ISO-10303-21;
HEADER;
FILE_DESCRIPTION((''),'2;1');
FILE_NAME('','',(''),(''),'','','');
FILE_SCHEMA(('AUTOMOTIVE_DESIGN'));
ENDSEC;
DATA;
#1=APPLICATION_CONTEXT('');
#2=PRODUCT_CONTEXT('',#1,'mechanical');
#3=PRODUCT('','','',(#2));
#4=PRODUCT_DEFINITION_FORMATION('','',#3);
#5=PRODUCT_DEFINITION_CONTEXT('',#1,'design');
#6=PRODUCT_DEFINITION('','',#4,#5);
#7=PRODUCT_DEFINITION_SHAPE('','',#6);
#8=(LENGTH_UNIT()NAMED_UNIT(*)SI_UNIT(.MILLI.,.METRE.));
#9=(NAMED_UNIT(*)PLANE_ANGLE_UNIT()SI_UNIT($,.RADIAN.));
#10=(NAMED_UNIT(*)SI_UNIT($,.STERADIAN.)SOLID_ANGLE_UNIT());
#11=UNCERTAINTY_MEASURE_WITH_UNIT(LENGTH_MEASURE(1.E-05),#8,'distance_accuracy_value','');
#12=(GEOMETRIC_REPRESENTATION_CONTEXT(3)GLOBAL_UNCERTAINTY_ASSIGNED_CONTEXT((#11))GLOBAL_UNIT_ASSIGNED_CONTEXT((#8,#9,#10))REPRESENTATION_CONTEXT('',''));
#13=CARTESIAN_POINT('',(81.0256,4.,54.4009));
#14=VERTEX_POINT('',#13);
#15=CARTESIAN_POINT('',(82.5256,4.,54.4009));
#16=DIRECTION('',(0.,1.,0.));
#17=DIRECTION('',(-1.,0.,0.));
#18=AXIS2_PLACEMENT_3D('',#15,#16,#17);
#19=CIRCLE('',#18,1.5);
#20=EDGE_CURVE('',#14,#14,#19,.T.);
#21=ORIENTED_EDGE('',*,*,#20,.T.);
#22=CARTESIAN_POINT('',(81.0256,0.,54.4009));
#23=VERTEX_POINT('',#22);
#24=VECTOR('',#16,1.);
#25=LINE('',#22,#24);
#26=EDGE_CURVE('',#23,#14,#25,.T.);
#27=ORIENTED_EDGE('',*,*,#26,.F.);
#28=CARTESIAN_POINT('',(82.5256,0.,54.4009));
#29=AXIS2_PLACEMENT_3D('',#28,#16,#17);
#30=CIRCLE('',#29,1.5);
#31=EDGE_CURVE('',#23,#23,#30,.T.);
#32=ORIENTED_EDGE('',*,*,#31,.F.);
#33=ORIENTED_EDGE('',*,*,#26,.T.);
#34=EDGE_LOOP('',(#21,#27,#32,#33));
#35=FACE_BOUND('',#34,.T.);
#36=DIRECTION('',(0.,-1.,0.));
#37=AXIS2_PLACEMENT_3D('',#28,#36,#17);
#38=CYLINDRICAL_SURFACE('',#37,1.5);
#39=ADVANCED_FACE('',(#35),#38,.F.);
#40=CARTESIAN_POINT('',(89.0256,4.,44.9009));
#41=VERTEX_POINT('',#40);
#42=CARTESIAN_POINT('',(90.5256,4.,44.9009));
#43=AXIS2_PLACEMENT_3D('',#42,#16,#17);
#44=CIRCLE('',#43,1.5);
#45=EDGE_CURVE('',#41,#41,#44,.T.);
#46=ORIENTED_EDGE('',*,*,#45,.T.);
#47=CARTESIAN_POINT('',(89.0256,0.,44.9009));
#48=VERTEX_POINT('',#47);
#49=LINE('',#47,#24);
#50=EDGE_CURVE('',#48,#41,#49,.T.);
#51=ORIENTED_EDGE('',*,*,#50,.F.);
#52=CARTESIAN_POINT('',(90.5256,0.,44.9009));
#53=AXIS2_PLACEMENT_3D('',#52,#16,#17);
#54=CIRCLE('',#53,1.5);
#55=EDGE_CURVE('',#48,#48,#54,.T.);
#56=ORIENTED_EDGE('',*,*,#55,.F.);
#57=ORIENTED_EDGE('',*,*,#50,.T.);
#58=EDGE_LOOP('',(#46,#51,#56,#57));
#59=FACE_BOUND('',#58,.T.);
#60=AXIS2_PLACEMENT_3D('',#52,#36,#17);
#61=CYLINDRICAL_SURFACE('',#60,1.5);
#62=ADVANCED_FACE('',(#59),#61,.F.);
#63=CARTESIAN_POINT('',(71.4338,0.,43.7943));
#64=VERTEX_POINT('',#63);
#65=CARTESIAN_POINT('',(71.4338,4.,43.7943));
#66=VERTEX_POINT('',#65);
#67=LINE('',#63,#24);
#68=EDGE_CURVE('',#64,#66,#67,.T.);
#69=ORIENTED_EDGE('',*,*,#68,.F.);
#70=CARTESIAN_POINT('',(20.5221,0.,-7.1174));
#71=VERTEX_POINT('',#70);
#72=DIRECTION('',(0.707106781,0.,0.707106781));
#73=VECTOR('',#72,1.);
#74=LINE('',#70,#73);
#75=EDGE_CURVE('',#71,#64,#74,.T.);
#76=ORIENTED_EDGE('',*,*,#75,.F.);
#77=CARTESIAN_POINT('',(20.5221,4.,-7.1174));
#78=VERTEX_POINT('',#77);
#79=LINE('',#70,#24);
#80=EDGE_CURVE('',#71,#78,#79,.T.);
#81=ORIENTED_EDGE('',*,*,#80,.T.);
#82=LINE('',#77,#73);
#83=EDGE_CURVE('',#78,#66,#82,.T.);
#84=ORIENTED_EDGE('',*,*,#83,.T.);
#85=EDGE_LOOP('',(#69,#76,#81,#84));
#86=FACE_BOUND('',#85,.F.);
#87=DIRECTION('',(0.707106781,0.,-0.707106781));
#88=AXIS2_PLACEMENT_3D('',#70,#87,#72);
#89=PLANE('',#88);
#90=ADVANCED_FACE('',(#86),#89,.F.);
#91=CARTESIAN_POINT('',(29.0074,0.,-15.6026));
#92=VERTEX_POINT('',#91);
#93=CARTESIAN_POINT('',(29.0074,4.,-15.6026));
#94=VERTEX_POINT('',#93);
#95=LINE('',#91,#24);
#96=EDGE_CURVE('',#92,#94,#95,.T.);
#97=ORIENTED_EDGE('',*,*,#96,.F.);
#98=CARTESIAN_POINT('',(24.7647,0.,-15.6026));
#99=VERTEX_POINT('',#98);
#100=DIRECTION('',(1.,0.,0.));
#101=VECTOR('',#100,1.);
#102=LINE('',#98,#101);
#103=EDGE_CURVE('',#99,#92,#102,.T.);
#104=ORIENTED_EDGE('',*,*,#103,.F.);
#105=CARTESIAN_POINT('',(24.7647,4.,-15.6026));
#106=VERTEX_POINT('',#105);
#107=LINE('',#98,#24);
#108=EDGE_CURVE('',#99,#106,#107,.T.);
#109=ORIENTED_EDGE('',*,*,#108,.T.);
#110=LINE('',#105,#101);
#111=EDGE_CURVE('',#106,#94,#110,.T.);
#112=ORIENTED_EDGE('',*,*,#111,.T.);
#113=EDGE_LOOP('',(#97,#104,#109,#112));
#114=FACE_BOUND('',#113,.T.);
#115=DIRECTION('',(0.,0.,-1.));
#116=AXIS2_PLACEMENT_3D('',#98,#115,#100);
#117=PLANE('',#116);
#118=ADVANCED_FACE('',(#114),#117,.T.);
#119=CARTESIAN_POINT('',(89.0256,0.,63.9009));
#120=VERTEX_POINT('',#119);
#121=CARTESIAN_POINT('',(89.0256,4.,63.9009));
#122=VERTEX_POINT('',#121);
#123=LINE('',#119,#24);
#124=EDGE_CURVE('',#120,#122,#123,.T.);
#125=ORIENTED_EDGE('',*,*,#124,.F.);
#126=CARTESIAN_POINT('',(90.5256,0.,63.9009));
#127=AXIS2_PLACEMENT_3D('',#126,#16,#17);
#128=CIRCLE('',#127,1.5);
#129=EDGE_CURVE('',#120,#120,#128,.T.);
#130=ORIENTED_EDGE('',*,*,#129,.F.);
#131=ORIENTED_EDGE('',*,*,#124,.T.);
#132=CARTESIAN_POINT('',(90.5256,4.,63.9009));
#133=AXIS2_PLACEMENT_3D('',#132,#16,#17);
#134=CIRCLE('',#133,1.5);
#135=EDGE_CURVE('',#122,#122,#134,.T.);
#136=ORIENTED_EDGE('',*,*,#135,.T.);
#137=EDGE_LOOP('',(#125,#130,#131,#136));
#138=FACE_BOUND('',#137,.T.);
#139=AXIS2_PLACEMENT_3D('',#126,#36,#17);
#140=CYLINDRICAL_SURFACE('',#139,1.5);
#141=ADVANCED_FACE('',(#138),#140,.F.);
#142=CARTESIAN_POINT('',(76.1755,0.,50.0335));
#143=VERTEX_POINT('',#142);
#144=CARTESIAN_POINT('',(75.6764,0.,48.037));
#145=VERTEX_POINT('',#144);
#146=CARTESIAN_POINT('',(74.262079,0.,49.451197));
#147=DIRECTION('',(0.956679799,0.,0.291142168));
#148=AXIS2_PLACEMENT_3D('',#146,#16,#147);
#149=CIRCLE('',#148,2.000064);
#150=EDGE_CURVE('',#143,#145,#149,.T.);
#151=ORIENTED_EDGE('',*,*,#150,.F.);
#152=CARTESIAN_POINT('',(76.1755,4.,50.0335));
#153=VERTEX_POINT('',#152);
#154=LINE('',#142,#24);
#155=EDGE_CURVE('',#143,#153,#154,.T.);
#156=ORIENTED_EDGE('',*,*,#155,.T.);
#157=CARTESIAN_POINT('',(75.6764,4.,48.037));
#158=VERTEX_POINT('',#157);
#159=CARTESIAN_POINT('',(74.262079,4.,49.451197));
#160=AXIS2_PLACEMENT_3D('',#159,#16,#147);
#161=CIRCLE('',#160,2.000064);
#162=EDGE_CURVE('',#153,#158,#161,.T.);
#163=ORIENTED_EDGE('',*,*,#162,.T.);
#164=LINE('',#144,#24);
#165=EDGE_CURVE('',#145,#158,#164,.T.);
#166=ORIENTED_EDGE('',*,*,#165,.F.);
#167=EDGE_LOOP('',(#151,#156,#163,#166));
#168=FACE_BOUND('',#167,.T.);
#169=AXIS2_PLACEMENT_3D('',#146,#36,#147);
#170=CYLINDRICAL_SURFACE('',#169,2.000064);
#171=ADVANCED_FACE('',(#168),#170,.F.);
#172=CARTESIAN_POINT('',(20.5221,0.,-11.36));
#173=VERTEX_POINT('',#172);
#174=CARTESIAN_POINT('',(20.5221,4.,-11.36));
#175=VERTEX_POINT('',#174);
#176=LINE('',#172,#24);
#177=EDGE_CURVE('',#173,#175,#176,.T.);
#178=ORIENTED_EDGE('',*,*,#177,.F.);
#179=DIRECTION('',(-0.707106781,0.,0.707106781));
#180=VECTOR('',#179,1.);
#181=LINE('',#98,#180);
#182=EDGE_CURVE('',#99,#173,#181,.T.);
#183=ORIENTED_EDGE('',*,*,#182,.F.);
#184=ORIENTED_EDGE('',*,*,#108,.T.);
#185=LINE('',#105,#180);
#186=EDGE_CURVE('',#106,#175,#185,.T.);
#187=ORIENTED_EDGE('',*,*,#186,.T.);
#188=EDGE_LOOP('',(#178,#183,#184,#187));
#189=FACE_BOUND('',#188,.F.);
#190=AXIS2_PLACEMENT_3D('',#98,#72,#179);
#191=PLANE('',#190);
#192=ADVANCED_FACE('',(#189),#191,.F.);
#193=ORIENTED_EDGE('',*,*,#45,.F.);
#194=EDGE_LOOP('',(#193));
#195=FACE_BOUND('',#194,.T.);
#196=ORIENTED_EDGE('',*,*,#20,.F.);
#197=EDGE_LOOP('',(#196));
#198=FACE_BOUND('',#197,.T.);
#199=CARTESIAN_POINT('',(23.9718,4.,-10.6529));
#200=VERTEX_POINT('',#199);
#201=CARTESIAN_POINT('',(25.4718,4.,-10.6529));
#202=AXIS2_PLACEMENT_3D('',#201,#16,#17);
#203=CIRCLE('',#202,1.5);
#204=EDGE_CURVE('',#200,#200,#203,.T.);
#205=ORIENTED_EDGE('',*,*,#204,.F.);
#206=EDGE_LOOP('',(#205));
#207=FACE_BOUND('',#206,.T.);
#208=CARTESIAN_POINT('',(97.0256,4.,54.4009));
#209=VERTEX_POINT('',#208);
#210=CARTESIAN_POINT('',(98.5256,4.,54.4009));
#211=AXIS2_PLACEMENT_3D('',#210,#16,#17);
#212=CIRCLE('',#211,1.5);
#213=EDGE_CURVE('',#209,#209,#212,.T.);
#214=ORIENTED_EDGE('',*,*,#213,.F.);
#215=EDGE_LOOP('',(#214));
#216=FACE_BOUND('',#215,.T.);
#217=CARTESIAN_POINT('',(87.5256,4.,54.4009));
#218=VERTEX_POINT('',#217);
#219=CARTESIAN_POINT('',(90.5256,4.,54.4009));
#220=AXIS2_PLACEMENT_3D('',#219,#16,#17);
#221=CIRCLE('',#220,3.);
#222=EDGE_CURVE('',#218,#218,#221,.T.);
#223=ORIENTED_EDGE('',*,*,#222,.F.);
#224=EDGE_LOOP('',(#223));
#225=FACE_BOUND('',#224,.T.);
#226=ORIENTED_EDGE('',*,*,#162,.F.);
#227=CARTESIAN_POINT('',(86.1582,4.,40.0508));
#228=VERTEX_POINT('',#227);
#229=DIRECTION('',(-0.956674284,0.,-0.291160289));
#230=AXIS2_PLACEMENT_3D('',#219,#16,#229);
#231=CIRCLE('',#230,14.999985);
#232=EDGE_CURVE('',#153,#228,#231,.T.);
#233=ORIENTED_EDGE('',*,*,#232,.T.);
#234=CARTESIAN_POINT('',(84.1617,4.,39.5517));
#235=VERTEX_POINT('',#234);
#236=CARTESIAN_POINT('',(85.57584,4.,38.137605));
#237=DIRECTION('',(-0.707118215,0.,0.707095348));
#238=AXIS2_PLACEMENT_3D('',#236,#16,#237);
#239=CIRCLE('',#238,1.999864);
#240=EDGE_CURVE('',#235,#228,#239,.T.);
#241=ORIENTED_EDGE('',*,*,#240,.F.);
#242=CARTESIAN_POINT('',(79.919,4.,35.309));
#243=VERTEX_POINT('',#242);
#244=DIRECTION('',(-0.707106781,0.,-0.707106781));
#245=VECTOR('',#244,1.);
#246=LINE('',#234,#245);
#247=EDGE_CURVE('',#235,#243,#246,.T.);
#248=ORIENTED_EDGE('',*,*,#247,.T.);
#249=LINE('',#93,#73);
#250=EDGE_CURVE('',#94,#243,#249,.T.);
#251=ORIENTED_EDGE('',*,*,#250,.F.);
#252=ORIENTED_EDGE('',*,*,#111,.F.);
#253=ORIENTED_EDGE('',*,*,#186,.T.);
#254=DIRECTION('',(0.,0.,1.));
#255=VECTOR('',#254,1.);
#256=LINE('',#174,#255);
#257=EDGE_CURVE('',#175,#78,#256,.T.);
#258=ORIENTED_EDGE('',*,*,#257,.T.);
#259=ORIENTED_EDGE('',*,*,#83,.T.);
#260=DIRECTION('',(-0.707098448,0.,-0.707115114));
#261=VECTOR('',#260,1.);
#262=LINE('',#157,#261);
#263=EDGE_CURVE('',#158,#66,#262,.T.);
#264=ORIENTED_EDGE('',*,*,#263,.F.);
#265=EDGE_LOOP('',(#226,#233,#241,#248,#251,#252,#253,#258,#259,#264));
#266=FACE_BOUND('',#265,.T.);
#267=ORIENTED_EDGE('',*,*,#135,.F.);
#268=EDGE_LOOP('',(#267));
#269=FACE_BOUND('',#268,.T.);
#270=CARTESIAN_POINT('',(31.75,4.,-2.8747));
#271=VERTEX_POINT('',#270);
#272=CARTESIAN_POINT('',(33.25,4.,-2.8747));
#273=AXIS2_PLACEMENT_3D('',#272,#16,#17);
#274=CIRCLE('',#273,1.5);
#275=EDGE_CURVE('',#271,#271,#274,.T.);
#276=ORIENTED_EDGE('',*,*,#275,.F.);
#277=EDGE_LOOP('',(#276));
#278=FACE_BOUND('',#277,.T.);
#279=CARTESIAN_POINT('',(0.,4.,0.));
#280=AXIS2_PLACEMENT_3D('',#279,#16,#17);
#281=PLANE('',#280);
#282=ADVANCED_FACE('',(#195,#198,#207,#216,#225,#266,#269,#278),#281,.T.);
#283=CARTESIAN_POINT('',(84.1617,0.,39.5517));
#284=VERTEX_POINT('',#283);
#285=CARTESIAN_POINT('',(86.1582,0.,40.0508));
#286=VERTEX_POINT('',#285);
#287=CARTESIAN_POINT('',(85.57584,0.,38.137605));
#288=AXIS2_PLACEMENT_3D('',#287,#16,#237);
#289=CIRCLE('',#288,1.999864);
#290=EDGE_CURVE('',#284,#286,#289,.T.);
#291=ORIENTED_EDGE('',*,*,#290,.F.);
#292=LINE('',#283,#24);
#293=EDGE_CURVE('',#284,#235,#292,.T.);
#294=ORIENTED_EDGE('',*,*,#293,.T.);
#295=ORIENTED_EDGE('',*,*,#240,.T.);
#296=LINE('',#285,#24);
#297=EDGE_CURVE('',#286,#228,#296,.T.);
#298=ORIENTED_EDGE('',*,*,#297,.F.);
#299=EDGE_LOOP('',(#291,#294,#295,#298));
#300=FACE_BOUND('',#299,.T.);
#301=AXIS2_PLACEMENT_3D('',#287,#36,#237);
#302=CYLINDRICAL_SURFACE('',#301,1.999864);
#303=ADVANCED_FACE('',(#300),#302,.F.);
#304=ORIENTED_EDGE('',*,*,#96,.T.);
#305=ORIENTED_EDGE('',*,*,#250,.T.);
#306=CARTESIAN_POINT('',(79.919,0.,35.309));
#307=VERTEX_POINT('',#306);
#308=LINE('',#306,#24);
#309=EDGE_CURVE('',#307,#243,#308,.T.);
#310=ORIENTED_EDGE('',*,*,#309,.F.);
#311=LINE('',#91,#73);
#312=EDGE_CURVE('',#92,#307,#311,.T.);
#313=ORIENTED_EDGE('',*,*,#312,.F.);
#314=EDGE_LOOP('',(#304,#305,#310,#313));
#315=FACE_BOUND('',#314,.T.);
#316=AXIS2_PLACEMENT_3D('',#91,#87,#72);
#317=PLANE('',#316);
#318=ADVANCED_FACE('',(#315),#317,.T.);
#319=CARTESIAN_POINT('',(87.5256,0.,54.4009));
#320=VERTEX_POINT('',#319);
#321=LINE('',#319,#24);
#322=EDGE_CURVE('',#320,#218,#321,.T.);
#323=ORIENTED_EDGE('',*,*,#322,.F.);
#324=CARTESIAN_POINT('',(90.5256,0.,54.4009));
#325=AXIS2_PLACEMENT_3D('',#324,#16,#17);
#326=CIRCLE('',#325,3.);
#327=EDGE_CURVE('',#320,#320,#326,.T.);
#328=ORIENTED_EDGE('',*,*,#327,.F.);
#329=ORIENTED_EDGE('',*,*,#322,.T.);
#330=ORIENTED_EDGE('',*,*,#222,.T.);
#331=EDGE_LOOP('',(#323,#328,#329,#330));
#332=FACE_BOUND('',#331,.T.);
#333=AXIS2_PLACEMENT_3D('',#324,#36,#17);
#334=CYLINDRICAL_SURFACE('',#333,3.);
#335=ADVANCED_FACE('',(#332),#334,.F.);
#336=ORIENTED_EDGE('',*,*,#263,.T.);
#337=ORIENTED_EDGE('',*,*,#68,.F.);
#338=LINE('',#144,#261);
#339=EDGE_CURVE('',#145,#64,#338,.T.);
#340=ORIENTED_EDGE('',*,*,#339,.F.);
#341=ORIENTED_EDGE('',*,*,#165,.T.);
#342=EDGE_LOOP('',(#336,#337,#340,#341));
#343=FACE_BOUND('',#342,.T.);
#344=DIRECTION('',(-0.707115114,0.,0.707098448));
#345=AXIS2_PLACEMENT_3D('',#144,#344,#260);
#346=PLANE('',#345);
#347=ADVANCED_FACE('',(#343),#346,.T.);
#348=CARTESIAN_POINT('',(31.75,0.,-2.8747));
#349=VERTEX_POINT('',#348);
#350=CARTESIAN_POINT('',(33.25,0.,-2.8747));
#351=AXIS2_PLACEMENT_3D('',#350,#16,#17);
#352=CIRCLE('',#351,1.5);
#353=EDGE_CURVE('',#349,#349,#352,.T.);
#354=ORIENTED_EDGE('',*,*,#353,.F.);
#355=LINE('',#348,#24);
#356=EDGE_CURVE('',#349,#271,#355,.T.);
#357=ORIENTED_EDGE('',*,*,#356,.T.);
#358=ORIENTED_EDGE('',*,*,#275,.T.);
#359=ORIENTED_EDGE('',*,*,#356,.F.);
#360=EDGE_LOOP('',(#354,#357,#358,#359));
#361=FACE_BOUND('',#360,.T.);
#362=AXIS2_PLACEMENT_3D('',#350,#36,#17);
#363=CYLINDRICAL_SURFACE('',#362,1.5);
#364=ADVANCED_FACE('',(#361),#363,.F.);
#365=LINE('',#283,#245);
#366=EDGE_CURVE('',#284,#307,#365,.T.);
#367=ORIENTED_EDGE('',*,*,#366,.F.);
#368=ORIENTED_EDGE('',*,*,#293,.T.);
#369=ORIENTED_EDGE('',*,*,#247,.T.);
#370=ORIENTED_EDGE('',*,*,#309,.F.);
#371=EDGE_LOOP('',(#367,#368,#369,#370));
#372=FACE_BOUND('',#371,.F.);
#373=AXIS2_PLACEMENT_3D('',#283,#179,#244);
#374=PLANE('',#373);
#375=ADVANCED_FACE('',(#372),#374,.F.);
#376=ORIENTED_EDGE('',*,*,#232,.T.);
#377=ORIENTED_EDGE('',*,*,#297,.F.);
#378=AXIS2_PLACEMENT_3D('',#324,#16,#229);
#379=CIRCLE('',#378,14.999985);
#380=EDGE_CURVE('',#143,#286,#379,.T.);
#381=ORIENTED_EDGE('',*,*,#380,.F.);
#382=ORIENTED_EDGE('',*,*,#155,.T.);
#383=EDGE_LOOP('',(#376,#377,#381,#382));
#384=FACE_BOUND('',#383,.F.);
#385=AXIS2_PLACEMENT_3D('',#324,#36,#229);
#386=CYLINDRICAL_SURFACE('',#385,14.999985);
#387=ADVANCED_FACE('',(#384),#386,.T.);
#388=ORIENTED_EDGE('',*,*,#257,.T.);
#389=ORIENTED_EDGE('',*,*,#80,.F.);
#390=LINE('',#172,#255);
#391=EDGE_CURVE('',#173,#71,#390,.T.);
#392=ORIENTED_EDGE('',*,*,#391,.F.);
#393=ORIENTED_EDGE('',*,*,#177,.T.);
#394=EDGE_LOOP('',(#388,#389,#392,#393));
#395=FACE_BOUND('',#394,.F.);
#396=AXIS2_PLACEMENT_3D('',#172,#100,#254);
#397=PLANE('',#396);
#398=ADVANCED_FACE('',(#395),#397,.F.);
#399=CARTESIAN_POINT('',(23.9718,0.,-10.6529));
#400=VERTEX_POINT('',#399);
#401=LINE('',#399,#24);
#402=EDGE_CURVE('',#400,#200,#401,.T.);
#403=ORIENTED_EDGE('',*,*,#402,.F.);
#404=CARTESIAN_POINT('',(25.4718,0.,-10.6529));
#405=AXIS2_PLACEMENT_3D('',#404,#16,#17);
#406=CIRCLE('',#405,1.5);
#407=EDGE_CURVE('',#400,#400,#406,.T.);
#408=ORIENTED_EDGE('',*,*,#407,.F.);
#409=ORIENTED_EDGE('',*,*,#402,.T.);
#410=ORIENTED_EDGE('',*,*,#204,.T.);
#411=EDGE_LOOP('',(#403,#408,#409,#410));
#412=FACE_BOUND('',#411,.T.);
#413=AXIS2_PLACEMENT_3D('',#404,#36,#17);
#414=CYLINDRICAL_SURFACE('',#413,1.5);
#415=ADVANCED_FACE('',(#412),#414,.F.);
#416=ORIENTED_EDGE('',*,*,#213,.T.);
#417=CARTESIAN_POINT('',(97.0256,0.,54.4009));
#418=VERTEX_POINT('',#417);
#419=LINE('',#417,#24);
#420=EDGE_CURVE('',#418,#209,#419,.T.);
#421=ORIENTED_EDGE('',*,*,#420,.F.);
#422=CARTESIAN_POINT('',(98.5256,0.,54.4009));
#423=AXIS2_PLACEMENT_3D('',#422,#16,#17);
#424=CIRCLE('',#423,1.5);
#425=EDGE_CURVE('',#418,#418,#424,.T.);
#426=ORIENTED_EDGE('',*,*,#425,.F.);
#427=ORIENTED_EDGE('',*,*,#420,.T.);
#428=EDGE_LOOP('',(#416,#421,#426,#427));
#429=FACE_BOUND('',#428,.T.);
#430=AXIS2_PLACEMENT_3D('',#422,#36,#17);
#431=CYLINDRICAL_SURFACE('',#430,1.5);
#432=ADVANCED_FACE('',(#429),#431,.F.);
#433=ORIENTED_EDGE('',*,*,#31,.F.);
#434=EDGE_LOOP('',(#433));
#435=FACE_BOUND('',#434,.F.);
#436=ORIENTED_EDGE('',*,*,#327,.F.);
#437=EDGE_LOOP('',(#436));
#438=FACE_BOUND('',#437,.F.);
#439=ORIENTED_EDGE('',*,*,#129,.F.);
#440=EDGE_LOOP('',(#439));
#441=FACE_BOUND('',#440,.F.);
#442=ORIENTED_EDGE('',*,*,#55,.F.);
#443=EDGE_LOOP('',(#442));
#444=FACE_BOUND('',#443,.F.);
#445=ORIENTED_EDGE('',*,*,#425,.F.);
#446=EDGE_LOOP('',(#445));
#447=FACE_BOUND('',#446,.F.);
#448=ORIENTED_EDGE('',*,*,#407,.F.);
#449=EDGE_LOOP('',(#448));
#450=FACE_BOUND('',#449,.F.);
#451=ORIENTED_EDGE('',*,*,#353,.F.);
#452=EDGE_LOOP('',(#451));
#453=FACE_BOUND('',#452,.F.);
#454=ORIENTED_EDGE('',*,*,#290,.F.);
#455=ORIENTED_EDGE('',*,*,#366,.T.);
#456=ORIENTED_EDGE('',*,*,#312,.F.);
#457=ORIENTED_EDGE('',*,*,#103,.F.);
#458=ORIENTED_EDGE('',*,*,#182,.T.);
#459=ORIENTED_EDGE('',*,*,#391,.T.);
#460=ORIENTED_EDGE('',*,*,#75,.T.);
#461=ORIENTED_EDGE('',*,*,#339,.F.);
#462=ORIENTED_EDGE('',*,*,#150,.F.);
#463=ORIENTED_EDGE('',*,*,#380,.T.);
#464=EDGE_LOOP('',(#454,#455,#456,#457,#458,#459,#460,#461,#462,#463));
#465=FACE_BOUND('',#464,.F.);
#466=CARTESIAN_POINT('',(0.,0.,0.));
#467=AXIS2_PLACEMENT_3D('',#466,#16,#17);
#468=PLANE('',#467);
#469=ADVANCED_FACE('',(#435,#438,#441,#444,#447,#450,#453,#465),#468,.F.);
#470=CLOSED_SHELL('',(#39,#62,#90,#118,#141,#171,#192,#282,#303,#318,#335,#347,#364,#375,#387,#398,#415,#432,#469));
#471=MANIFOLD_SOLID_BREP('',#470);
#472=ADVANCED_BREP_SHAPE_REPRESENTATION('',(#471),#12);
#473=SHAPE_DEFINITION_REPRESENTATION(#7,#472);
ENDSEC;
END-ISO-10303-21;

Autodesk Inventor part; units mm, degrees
ref_plane "YZ Plane" through (0, 0, 0) normal (1, 0, 0) x (0, 1, 0)
ref_plane "XZ Plane" through (0, 0, 0) normal (0, 1, 0) x (-1, 0, 0)
sketch "Sketch1" plane through (0, 0, 0) normal (0, 1, 0) x (-1, 0, 0)
  arc A0 (-76.1755, 50.0335) -> (-86.1582, 40.0508) centre (-90.5256, 54.4009) ccw
  circle A1 centre (-25.4718, -10.6529) radius 1.5
  line L0 (-24.7647, -15.6026) -> (-20.5221, -11.36)
  line L1 (-24.7647, -15.6026) -> (-29.0074, -15.6026)
  line L2 (-20.5221, -11.36) -> (-20.5221, -7.1174)
  circle A2 centre (-33.25, -2.8747) radius 1.5
  circle A3 centre (-90.5256, 44.9009) radius 1.5
  circle A4 centre (-98.5256, 54.4009) radius 1.5
  circle A5 centre (-90.5256, 63.9009) radius 1.5
  circle A6 centre (-82.5256, 54.4009) radius 1.5
  circle A7 centre (-90.5256, 54.4009) radius 3
  arc A8 (-76.1755, 50.0335) -> (-75.6764, 48.037) centre (-74.2622, 49.4512) ccw
  arc A9 (-84.1617, 39.5517) -> (-86.1582, 40.0508) centre (-85.5759, 38.1375) ccw
  line L3 (-75.6764, 48.037) -> (-71.4338, 43.7943)
  line L4 (-84.1617, 39.5517) -> (-79.919, 35.309)
  line L5 (-20.5221, -7.1174) -> (-71.4338, 43.7943)
  line L6 (-29.0074, -15.6026) -> (-79.919, 35.309)
  point P0 (0, 0)
  point P1 (-18.4008, -9.2387)
  point P2 (-76.5619, 48.9225)
  point P3 (-85.0472, 40.4372)
  point P4 (-26.886, -17.724)
  point P5 (-76.5619, 48.9225)
  dimension "d2" = 3
  dimension "d3" = 3
  dimension "d4" = 3
  dimension "d6" = 6
  dimension "d10" = 2
extrude "Extrusion3" add sketch "Sketch1" along normal blind 4
ref_plane "Motor Simulering" through (0, 14, 0) normal (0, 1, 0) x (1, 0, 0)
sketch "Propeller" plane through (0, 14, 0) normal (0, 1, 0) x (1, 0, 0)
  circle A0 centre (90.5256, -54.4009) radius 63.5
  point P0 (0, 0)
  dimension "d26" = 127
properties part number "Arm2"
